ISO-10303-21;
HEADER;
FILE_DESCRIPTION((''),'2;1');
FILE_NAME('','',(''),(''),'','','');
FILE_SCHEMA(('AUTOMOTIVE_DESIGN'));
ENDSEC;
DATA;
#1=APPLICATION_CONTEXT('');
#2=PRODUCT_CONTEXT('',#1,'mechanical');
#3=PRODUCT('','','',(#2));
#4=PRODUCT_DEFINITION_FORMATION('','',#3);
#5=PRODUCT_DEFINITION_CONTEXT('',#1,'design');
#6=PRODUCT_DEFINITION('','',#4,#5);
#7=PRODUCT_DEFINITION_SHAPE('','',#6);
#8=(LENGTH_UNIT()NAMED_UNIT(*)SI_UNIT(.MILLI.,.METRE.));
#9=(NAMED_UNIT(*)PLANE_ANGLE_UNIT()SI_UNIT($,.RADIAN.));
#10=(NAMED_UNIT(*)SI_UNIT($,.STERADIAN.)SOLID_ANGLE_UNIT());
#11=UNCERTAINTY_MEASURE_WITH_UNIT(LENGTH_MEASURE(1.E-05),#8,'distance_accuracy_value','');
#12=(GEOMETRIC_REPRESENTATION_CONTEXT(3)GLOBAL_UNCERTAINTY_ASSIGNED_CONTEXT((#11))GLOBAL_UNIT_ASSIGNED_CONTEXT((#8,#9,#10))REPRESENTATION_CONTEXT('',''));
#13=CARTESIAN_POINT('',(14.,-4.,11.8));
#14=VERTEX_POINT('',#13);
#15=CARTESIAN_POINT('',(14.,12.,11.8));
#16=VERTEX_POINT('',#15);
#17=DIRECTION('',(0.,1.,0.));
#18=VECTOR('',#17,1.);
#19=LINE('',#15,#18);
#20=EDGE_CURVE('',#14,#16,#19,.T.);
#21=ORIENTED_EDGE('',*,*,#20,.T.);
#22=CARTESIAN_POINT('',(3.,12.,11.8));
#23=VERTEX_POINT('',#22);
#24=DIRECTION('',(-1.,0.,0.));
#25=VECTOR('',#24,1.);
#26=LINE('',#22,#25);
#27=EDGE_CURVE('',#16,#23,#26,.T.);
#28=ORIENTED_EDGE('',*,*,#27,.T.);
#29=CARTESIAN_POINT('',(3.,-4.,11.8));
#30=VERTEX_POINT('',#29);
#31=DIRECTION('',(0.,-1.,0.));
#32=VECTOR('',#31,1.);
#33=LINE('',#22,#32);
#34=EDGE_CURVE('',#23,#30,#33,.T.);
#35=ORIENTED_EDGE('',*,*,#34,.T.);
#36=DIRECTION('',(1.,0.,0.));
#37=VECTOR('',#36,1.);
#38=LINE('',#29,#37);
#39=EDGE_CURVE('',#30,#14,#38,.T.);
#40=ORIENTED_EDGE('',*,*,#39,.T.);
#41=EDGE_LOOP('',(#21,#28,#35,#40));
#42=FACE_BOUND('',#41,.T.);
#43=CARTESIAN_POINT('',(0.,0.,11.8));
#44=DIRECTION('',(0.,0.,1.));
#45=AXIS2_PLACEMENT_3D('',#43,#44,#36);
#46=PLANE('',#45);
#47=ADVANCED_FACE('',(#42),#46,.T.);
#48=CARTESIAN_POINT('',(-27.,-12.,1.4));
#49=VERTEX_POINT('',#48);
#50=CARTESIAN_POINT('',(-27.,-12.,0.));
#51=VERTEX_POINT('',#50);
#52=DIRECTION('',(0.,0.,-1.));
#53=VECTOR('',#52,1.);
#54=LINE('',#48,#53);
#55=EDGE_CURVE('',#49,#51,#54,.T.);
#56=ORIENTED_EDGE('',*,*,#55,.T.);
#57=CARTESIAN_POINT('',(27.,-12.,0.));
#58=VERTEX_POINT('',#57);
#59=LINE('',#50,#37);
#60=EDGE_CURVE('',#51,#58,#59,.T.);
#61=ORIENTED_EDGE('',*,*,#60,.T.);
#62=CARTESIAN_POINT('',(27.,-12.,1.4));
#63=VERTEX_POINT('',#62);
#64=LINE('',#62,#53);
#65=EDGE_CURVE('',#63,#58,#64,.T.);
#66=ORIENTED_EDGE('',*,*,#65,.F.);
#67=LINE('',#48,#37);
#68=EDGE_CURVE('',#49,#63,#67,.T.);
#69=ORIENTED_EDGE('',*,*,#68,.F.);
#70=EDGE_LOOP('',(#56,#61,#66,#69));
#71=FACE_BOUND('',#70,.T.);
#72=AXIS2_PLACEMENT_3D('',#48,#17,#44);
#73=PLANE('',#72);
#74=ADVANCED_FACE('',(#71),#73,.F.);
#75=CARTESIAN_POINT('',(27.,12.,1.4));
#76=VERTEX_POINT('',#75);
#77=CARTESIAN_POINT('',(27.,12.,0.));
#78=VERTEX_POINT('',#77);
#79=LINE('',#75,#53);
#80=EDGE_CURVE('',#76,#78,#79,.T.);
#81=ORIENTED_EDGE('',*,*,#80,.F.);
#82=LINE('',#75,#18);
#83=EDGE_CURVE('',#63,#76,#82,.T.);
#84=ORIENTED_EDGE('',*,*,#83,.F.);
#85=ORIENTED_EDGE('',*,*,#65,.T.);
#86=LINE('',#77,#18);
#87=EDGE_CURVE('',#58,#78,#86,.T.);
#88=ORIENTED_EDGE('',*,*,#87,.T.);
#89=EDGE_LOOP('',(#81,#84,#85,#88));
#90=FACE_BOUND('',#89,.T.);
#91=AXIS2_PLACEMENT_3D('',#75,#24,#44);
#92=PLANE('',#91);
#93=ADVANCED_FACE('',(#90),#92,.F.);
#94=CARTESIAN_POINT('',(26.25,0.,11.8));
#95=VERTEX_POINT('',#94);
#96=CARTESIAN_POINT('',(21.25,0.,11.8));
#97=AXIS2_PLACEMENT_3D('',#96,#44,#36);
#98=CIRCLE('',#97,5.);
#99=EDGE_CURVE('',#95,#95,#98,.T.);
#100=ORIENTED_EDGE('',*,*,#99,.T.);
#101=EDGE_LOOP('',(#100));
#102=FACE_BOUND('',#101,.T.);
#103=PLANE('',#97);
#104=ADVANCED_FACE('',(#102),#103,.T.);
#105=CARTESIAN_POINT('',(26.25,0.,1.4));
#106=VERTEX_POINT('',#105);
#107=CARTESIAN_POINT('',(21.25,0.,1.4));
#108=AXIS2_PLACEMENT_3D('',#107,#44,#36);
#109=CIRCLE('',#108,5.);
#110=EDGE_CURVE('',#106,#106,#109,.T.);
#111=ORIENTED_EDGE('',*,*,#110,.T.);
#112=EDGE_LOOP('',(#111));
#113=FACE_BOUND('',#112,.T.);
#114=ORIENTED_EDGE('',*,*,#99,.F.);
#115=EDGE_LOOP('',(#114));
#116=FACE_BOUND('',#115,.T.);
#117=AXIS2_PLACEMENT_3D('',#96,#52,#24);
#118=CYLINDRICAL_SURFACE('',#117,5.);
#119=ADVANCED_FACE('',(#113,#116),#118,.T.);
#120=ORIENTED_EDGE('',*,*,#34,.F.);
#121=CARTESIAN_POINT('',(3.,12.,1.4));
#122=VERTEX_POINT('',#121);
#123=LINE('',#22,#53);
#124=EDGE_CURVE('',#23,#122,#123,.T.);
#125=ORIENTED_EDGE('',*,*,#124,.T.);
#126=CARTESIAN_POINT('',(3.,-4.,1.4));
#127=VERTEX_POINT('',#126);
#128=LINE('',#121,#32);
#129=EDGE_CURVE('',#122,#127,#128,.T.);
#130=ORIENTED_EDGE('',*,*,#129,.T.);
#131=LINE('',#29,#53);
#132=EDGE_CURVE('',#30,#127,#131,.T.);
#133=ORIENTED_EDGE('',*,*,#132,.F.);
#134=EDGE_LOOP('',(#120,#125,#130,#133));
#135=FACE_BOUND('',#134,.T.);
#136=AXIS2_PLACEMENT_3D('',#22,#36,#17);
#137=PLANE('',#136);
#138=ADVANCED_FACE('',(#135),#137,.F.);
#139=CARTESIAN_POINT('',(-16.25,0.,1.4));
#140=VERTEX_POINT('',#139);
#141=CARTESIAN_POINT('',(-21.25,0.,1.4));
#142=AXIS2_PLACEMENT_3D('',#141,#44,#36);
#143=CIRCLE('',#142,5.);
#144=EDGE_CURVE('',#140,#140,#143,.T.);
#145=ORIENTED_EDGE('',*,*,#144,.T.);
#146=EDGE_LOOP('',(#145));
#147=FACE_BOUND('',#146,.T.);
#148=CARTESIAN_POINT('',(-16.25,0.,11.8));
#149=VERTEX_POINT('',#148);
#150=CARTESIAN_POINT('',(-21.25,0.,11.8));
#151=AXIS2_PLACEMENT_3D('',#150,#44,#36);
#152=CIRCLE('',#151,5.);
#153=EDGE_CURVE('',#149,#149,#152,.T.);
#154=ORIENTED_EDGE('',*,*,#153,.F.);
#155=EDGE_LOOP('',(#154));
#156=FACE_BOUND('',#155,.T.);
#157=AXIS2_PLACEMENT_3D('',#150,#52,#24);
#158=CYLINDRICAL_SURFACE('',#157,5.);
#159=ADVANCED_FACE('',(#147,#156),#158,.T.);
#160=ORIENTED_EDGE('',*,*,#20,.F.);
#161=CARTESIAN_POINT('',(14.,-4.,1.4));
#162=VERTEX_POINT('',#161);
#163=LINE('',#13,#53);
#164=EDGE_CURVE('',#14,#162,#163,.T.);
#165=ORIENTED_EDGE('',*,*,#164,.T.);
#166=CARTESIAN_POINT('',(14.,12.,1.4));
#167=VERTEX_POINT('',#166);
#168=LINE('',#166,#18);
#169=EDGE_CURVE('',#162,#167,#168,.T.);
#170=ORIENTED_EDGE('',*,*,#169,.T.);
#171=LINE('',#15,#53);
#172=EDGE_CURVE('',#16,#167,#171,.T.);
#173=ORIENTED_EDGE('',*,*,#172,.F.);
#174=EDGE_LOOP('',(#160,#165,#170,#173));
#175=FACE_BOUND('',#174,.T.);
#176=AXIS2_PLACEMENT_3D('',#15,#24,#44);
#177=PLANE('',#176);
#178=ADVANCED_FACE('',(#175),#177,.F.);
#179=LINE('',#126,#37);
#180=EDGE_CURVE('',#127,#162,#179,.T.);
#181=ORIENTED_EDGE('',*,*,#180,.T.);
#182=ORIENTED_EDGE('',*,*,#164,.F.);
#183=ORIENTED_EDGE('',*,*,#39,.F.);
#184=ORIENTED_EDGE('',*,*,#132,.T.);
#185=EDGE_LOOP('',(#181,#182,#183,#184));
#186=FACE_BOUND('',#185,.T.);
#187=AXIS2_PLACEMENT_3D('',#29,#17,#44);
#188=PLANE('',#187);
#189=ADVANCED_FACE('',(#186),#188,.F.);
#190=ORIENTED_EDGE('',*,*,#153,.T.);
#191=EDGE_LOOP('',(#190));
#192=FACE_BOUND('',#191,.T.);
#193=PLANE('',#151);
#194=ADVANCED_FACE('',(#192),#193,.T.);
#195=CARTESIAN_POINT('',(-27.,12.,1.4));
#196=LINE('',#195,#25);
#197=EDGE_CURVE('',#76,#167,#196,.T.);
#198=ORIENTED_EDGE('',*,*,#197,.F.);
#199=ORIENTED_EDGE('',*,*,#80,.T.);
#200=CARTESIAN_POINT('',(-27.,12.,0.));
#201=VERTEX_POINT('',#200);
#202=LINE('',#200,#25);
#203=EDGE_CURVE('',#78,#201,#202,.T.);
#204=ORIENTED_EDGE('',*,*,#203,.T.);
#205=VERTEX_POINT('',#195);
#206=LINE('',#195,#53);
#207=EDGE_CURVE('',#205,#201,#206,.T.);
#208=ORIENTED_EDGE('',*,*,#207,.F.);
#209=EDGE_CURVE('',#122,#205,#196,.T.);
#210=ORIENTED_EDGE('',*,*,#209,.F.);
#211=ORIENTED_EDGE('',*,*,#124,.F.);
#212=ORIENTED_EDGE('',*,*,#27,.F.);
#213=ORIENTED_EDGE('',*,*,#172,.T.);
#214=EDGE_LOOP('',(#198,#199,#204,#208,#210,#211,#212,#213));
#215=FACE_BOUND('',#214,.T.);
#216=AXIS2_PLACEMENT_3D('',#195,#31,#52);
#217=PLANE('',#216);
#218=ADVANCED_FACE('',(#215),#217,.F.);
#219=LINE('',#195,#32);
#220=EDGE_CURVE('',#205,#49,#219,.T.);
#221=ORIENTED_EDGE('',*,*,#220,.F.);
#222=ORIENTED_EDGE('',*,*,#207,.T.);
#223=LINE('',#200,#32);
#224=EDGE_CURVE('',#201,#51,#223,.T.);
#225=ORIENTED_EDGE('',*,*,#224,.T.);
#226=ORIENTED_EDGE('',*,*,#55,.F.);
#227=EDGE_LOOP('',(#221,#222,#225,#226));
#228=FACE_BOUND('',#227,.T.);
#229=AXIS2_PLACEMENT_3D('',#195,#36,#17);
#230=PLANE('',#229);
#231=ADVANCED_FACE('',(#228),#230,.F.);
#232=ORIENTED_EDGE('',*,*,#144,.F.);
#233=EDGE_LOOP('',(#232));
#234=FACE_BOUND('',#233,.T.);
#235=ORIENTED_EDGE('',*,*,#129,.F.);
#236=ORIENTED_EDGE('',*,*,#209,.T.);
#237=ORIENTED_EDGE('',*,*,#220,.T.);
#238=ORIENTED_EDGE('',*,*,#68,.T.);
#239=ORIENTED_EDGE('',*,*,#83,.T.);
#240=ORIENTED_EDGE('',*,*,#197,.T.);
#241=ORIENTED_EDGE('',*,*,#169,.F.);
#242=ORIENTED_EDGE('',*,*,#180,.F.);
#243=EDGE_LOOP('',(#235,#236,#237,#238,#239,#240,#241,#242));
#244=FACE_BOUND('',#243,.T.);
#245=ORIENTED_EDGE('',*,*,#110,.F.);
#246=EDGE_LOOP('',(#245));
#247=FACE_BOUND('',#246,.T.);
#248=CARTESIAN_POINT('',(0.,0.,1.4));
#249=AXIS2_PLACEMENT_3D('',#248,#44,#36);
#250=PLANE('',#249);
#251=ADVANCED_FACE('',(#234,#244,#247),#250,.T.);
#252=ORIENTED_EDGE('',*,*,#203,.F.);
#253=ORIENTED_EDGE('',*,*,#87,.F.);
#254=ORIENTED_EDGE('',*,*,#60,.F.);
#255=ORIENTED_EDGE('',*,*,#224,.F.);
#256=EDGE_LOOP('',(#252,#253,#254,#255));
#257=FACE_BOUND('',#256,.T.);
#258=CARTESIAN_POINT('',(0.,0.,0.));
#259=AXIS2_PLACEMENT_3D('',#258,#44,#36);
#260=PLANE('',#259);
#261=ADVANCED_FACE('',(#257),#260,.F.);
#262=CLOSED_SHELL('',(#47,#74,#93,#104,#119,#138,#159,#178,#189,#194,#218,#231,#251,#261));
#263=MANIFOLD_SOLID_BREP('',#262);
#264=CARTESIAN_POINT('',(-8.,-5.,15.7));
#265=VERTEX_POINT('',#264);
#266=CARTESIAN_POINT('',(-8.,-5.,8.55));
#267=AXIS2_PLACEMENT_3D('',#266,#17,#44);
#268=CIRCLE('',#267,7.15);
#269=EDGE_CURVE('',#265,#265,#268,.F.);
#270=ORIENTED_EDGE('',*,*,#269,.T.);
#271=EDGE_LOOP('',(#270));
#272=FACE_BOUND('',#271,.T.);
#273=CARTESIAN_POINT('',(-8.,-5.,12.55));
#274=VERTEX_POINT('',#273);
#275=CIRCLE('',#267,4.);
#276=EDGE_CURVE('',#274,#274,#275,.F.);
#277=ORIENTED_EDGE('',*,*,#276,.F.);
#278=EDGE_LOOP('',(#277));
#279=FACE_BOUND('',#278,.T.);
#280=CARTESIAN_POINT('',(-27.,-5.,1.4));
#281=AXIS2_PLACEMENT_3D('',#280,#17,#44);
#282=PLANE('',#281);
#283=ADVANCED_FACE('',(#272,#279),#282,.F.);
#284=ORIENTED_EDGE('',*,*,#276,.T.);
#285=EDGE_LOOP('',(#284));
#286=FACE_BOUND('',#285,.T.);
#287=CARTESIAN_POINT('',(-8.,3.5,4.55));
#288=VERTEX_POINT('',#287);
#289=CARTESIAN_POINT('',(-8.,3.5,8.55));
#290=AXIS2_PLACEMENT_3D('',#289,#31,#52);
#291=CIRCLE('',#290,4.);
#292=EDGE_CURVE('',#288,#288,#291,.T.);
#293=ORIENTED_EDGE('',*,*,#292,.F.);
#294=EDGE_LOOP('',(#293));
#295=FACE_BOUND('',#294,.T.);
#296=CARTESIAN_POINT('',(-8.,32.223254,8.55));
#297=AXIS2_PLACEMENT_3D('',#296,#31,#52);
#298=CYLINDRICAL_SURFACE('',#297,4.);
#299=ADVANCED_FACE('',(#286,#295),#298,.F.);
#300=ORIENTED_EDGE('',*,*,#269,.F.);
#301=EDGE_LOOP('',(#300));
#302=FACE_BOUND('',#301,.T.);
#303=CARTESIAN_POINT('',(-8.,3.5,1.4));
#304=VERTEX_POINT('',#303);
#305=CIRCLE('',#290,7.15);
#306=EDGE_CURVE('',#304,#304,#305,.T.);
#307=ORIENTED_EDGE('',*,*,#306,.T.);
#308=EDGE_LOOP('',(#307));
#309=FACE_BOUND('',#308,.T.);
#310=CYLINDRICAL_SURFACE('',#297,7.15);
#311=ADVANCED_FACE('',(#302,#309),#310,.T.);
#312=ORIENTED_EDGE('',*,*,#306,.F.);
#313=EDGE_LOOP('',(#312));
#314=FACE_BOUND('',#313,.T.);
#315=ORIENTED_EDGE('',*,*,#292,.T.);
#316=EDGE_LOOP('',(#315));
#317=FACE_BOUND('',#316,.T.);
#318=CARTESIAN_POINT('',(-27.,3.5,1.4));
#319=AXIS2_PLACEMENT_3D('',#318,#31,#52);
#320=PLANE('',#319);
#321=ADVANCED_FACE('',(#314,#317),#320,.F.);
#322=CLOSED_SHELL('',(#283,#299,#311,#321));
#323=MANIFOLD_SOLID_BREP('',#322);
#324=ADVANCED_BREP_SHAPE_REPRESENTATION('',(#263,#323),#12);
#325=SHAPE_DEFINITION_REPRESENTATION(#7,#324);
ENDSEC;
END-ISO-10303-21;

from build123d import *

# Parameters (mm, degrees)
ESBO_O1_W                     = 54
ESBO_O1_H                     = 24
RESSALTO_EXTRUS_O1_DEPTH      = 1.4
ESBO_O2_R                     = 5
ESBO_O2_W                     = 11
ESBO_O2_H                     = 16
RESSALTO_EXTRUS_O2_DEPTH      = 10.4
RESSALTO_EXTRUS_O3_DEPTH      = 3.5
RESSALTO_EXTRUS_O3_DEPTH_BACK = 5
ESBO_O4_R                     = 7.15
ESBO_O4_R_2                   = 4


with BuildPart() as part:
    # Esboço1 → Ressalto-extrusão1 (new body)
    with BuildSketch(Plane.XY):
        Rectangle(ESBO_O1_W, ESBO_O1_H)
    extrude(amount=RESSALTO_EXTRUS_O1_DEPTH)

    # Esboço2 → Ressalto-extrusão2 (add)
    with BuildSketch(Plane.XY.offset(1.4)):
        with Locations((21.25, 0)):
            Circle(ESBO_O2_R)
        with Locations((-21.25, 0)):
            Circle(ESBO_O2_R)
        with Locations((8.5, 4)):
            Rectangle(ESBO_O2_W, ESBO_O2_H)
    extrude(amount=RESSALTO_EXTRUS_O2_DEPTH)


with BuildPart() as body_2:
    # Esboço4 → Ressalto-extrusão3 (new, two sides: drawn at the far end of the back side and taken through both)
    with BuildSketch(Plane(origin=(0, 0, 0), x_dir=(1, 0, 0), z_dir=(0, 1, 0)).offset(-RESSALTO_EXTRUS_O3_DEPTH_BACK)):
        with Locations(Location((-8, -8.55, 0), (0, 0, 90))):
            Circle(ESBO_O4_R)
        with Locations(Location((-8, -8.55, 0), (0, 0, 90))):
            Circle(ESBO_O4_R_2, mode=Mode.SUBTRACT)
    extrude(amount=RESSALTO_EXTRUS_O3_DEPTH + RESSALTO_EXTRUS_O3_DEPTH_BACK)


solid = Compound([part.part, body_2.part])
